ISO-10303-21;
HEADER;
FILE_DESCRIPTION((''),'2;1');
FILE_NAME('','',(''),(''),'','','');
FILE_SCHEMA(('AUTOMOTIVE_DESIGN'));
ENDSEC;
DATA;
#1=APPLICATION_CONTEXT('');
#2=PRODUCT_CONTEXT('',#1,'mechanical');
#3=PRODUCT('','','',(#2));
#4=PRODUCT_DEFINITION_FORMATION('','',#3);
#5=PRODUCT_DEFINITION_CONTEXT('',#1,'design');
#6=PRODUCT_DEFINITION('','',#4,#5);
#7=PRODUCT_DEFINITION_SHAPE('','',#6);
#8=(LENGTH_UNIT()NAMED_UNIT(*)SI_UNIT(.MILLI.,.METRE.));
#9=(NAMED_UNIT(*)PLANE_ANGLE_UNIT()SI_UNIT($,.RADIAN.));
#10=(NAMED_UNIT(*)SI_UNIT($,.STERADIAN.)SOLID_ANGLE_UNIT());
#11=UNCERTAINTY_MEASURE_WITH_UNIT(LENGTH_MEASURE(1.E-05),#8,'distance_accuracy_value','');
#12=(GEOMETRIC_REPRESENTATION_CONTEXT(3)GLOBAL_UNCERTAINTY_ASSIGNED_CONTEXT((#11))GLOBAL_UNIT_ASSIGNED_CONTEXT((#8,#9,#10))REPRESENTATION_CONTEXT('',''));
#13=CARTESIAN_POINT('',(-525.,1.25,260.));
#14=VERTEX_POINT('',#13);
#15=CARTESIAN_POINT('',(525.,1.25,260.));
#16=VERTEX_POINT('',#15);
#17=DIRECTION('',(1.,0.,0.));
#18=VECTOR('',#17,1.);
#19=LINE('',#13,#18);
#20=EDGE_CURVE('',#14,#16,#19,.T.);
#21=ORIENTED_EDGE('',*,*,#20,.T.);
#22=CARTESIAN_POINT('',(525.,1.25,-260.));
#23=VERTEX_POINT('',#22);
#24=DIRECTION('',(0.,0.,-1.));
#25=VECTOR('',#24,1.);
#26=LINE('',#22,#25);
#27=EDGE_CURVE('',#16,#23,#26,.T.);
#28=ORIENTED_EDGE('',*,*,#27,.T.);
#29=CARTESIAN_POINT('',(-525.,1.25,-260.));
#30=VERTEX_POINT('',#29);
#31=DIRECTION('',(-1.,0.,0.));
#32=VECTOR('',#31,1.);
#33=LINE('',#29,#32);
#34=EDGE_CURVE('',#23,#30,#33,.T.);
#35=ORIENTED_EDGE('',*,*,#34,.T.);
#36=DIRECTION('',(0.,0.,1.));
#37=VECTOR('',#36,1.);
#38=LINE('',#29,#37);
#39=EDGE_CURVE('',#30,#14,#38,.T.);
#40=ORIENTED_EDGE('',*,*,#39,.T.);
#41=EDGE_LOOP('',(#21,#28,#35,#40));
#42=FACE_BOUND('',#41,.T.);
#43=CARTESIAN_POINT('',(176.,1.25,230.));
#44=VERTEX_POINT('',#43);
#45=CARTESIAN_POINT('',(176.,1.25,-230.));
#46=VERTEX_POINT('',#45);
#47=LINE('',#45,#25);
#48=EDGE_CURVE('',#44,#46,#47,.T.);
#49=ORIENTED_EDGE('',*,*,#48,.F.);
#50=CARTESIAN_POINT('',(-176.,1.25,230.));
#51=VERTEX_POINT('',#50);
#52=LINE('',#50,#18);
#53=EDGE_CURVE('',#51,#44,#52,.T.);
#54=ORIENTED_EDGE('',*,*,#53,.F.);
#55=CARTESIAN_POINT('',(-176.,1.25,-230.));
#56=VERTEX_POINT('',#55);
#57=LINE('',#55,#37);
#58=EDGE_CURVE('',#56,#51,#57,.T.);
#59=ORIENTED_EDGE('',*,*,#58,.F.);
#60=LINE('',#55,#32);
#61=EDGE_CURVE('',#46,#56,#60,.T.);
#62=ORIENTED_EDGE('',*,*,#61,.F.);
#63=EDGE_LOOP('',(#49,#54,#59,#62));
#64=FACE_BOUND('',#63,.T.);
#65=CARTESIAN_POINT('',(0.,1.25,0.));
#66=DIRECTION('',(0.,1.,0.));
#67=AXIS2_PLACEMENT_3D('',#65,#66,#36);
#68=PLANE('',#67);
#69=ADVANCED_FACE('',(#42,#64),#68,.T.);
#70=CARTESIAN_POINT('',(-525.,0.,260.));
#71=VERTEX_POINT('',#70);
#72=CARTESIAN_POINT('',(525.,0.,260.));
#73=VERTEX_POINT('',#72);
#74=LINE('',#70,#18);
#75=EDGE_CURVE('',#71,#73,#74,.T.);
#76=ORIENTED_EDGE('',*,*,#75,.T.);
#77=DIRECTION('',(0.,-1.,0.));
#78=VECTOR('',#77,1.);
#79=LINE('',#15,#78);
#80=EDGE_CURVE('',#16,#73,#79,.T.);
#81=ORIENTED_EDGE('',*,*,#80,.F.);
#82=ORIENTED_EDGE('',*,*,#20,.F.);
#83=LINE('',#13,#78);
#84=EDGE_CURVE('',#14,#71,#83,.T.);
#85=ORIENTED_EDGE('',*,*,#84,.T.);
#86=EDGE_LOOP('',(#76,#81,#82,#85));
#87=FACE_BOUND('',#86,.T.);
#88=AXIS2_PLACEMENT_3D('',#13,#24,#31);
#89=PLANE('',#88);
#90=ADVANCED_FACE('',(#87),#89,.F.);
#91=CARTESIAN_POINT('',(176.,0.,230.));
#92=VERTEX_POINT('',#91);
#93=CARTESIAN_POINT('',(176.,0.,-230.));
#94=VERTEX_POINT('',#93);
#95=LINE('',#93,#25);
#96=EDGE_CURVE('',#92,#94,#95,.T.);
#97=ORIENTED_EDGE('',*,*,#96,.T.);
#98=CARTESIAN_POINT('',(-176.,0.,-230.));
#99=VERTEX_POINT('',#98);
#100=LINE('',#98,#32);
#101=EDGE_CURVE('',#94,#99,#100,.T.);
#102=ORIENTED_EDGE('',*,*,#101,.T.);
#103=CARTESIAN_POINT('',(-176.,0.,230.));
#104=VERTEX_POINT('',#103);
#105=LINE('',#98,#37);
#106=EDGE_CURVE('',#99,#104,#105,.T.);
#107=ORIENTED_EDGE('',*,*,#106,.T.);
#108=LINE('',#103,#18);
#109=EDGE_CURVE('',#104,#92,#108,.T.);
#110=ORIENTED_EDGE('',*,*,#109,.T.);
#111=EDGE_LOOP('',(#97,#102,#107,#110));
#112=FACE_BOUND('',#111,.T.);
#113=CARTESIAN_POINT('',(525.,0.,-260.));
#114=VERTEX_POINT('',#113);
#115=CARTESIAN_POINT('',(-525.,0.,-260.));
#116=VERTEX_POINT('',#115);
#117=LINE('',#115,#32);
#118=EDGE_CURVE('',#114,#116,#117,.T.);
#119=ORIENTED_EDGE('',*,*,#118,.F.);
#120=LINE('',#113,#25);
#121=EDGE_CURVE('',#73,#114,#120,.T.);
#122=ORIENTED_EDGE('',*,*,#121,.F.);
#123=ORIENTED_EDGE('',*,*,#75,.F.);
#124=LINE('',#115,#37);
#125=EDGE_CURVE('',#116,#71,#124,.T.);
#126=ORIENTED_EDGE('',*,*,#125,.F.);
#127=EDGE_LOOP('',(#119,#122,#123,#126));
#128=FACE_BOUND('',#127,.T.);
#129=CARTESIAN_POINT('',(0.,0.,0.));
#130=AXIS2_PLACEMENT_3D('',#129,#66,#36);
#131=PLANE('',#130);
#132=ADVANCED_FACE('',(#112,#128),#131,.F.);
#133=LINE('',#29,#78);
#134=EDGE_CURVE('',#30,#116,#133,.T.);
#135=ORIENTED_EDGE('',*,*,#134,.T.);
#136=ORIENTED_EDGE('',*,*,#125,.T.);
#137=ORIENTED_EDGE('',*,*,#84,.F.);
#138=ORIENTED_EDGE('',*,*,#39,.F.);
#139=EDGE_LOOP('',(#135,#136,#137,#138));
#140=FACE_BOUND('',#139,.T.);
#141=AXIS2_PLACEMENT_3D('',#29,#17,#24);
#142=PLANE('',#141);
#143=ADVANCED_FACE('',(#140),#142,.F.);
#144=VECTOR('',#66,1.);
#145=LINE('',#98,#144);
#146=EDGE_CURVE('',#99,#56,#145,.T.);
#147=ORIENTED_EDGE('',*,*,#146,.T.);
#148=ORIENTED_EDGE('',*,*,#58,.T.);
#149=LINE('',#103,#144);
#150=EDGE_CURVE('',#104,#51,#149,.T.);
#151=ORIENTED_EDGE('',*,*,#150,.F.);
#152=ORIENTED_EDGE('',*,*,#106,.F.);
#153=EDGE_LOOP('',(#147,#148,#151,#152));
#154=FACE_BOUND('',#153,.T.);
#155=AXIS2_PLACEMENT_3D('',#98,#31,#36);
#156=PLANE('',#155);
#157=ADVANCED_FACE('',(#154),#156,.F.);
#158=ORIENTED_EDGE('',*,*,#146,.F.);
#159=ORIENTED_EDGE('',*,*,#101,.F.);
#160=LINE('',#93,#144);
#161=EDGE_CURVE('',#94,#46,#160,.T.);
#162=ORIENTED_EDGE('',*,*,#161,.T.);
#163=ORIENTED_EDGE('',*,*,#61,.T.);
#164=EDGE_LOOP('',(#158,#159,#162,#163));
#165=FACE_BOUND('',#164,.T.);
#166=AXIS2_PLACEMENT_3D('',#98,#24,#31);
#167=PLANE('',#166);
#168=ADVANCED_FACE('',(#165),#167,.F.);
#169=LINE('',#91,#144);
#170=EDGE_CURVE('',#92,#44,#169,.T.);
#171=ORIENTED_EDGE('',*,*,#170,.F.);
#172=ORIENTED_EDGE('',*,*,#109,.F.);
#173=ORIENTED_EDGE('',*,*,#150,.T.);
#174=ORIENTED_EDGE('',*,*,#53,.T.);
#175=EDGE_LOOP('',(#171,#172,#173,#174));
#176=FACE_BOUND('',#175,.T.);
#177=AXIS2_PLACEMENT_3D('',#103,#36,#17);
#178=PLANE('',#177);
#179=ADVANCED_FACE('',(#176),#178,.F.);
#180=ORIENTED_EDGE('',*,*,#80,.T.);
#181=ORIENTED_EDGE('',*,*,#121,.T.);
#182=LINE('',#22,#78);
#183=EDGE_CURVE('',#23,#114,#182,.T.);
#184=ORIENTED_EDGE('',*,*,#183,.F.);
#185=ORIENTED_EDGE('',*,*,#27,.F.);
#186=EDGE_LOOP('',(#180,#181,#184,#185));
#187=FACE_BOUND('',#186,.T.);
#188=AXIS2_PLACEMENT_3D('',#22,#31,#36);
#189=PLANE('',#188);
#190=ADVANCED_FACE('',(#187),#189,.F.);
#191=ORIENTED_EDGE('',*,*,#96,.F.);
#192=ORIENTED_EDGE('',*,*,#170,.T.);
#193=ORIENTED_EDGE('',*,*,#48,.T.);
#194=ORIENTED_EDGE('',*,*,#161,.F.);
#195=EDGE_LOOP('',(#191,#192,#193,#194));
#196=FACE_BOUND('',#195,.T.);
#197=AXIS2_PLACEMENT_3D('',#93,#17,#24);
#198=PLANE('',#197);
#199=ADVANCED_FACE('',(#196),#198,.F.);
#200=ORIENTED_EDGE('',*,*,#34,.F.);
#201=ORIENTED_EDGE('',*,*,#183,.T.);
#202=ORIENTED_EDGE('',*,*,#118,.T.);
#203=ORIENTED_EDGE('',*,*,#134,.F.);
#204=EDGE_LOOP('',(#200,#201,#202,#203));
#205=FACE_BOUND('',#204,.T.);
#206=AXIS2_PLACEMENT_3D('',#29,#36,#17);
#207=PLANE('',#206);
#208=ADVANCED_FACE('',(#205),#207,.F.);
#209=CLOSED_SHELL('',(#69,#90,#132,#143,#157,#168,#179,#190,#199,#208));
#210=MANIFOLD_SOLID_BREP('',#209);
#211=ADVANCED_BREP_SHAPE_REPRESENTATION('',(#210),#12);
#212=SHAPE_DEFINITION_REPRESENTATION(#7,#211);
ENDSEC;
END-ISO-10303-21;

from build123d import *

# Parameters (mm, degrees)
CROQUIS1_W              = 1050
CROQUIS1_H              = 520
SALIENTE_EXTRUIR1_DEPTH = 1.25
CROQUIS2_W              = 352
CROQUIS2_H              = 460
CORTAR_EXTRUIR1_DEPTH   = 1.25


with BuildPart() as part:
    # Croquis1 → Saliente-Extruir1 (new body)
    with BuildSketch(Plane(origin=(0, 0, 0), x_dir=(1, 0, 0), z_dir=(0, 1, 0))):
        Rectangle(CROQUIS1_W, CROQUIS1_H)
    extrude(amount=SALIENTE_EXTRUIR1_DEPTH)

    # Croquis2 → Cortar-Extruir1 (cut)
    with BuildSketch(Plane(origin=(0, 1.25, 0), x_dir=(1, 0, 0), z_dir=(0, 1, 0))):
        Rectangle(CROQUIS2_W, CROQUIS2_H)
    extrude(amount=-CORTAR_EXTRUIR1_DEPTH, mode=Mode.SUBTRACT)


solid = part.part
